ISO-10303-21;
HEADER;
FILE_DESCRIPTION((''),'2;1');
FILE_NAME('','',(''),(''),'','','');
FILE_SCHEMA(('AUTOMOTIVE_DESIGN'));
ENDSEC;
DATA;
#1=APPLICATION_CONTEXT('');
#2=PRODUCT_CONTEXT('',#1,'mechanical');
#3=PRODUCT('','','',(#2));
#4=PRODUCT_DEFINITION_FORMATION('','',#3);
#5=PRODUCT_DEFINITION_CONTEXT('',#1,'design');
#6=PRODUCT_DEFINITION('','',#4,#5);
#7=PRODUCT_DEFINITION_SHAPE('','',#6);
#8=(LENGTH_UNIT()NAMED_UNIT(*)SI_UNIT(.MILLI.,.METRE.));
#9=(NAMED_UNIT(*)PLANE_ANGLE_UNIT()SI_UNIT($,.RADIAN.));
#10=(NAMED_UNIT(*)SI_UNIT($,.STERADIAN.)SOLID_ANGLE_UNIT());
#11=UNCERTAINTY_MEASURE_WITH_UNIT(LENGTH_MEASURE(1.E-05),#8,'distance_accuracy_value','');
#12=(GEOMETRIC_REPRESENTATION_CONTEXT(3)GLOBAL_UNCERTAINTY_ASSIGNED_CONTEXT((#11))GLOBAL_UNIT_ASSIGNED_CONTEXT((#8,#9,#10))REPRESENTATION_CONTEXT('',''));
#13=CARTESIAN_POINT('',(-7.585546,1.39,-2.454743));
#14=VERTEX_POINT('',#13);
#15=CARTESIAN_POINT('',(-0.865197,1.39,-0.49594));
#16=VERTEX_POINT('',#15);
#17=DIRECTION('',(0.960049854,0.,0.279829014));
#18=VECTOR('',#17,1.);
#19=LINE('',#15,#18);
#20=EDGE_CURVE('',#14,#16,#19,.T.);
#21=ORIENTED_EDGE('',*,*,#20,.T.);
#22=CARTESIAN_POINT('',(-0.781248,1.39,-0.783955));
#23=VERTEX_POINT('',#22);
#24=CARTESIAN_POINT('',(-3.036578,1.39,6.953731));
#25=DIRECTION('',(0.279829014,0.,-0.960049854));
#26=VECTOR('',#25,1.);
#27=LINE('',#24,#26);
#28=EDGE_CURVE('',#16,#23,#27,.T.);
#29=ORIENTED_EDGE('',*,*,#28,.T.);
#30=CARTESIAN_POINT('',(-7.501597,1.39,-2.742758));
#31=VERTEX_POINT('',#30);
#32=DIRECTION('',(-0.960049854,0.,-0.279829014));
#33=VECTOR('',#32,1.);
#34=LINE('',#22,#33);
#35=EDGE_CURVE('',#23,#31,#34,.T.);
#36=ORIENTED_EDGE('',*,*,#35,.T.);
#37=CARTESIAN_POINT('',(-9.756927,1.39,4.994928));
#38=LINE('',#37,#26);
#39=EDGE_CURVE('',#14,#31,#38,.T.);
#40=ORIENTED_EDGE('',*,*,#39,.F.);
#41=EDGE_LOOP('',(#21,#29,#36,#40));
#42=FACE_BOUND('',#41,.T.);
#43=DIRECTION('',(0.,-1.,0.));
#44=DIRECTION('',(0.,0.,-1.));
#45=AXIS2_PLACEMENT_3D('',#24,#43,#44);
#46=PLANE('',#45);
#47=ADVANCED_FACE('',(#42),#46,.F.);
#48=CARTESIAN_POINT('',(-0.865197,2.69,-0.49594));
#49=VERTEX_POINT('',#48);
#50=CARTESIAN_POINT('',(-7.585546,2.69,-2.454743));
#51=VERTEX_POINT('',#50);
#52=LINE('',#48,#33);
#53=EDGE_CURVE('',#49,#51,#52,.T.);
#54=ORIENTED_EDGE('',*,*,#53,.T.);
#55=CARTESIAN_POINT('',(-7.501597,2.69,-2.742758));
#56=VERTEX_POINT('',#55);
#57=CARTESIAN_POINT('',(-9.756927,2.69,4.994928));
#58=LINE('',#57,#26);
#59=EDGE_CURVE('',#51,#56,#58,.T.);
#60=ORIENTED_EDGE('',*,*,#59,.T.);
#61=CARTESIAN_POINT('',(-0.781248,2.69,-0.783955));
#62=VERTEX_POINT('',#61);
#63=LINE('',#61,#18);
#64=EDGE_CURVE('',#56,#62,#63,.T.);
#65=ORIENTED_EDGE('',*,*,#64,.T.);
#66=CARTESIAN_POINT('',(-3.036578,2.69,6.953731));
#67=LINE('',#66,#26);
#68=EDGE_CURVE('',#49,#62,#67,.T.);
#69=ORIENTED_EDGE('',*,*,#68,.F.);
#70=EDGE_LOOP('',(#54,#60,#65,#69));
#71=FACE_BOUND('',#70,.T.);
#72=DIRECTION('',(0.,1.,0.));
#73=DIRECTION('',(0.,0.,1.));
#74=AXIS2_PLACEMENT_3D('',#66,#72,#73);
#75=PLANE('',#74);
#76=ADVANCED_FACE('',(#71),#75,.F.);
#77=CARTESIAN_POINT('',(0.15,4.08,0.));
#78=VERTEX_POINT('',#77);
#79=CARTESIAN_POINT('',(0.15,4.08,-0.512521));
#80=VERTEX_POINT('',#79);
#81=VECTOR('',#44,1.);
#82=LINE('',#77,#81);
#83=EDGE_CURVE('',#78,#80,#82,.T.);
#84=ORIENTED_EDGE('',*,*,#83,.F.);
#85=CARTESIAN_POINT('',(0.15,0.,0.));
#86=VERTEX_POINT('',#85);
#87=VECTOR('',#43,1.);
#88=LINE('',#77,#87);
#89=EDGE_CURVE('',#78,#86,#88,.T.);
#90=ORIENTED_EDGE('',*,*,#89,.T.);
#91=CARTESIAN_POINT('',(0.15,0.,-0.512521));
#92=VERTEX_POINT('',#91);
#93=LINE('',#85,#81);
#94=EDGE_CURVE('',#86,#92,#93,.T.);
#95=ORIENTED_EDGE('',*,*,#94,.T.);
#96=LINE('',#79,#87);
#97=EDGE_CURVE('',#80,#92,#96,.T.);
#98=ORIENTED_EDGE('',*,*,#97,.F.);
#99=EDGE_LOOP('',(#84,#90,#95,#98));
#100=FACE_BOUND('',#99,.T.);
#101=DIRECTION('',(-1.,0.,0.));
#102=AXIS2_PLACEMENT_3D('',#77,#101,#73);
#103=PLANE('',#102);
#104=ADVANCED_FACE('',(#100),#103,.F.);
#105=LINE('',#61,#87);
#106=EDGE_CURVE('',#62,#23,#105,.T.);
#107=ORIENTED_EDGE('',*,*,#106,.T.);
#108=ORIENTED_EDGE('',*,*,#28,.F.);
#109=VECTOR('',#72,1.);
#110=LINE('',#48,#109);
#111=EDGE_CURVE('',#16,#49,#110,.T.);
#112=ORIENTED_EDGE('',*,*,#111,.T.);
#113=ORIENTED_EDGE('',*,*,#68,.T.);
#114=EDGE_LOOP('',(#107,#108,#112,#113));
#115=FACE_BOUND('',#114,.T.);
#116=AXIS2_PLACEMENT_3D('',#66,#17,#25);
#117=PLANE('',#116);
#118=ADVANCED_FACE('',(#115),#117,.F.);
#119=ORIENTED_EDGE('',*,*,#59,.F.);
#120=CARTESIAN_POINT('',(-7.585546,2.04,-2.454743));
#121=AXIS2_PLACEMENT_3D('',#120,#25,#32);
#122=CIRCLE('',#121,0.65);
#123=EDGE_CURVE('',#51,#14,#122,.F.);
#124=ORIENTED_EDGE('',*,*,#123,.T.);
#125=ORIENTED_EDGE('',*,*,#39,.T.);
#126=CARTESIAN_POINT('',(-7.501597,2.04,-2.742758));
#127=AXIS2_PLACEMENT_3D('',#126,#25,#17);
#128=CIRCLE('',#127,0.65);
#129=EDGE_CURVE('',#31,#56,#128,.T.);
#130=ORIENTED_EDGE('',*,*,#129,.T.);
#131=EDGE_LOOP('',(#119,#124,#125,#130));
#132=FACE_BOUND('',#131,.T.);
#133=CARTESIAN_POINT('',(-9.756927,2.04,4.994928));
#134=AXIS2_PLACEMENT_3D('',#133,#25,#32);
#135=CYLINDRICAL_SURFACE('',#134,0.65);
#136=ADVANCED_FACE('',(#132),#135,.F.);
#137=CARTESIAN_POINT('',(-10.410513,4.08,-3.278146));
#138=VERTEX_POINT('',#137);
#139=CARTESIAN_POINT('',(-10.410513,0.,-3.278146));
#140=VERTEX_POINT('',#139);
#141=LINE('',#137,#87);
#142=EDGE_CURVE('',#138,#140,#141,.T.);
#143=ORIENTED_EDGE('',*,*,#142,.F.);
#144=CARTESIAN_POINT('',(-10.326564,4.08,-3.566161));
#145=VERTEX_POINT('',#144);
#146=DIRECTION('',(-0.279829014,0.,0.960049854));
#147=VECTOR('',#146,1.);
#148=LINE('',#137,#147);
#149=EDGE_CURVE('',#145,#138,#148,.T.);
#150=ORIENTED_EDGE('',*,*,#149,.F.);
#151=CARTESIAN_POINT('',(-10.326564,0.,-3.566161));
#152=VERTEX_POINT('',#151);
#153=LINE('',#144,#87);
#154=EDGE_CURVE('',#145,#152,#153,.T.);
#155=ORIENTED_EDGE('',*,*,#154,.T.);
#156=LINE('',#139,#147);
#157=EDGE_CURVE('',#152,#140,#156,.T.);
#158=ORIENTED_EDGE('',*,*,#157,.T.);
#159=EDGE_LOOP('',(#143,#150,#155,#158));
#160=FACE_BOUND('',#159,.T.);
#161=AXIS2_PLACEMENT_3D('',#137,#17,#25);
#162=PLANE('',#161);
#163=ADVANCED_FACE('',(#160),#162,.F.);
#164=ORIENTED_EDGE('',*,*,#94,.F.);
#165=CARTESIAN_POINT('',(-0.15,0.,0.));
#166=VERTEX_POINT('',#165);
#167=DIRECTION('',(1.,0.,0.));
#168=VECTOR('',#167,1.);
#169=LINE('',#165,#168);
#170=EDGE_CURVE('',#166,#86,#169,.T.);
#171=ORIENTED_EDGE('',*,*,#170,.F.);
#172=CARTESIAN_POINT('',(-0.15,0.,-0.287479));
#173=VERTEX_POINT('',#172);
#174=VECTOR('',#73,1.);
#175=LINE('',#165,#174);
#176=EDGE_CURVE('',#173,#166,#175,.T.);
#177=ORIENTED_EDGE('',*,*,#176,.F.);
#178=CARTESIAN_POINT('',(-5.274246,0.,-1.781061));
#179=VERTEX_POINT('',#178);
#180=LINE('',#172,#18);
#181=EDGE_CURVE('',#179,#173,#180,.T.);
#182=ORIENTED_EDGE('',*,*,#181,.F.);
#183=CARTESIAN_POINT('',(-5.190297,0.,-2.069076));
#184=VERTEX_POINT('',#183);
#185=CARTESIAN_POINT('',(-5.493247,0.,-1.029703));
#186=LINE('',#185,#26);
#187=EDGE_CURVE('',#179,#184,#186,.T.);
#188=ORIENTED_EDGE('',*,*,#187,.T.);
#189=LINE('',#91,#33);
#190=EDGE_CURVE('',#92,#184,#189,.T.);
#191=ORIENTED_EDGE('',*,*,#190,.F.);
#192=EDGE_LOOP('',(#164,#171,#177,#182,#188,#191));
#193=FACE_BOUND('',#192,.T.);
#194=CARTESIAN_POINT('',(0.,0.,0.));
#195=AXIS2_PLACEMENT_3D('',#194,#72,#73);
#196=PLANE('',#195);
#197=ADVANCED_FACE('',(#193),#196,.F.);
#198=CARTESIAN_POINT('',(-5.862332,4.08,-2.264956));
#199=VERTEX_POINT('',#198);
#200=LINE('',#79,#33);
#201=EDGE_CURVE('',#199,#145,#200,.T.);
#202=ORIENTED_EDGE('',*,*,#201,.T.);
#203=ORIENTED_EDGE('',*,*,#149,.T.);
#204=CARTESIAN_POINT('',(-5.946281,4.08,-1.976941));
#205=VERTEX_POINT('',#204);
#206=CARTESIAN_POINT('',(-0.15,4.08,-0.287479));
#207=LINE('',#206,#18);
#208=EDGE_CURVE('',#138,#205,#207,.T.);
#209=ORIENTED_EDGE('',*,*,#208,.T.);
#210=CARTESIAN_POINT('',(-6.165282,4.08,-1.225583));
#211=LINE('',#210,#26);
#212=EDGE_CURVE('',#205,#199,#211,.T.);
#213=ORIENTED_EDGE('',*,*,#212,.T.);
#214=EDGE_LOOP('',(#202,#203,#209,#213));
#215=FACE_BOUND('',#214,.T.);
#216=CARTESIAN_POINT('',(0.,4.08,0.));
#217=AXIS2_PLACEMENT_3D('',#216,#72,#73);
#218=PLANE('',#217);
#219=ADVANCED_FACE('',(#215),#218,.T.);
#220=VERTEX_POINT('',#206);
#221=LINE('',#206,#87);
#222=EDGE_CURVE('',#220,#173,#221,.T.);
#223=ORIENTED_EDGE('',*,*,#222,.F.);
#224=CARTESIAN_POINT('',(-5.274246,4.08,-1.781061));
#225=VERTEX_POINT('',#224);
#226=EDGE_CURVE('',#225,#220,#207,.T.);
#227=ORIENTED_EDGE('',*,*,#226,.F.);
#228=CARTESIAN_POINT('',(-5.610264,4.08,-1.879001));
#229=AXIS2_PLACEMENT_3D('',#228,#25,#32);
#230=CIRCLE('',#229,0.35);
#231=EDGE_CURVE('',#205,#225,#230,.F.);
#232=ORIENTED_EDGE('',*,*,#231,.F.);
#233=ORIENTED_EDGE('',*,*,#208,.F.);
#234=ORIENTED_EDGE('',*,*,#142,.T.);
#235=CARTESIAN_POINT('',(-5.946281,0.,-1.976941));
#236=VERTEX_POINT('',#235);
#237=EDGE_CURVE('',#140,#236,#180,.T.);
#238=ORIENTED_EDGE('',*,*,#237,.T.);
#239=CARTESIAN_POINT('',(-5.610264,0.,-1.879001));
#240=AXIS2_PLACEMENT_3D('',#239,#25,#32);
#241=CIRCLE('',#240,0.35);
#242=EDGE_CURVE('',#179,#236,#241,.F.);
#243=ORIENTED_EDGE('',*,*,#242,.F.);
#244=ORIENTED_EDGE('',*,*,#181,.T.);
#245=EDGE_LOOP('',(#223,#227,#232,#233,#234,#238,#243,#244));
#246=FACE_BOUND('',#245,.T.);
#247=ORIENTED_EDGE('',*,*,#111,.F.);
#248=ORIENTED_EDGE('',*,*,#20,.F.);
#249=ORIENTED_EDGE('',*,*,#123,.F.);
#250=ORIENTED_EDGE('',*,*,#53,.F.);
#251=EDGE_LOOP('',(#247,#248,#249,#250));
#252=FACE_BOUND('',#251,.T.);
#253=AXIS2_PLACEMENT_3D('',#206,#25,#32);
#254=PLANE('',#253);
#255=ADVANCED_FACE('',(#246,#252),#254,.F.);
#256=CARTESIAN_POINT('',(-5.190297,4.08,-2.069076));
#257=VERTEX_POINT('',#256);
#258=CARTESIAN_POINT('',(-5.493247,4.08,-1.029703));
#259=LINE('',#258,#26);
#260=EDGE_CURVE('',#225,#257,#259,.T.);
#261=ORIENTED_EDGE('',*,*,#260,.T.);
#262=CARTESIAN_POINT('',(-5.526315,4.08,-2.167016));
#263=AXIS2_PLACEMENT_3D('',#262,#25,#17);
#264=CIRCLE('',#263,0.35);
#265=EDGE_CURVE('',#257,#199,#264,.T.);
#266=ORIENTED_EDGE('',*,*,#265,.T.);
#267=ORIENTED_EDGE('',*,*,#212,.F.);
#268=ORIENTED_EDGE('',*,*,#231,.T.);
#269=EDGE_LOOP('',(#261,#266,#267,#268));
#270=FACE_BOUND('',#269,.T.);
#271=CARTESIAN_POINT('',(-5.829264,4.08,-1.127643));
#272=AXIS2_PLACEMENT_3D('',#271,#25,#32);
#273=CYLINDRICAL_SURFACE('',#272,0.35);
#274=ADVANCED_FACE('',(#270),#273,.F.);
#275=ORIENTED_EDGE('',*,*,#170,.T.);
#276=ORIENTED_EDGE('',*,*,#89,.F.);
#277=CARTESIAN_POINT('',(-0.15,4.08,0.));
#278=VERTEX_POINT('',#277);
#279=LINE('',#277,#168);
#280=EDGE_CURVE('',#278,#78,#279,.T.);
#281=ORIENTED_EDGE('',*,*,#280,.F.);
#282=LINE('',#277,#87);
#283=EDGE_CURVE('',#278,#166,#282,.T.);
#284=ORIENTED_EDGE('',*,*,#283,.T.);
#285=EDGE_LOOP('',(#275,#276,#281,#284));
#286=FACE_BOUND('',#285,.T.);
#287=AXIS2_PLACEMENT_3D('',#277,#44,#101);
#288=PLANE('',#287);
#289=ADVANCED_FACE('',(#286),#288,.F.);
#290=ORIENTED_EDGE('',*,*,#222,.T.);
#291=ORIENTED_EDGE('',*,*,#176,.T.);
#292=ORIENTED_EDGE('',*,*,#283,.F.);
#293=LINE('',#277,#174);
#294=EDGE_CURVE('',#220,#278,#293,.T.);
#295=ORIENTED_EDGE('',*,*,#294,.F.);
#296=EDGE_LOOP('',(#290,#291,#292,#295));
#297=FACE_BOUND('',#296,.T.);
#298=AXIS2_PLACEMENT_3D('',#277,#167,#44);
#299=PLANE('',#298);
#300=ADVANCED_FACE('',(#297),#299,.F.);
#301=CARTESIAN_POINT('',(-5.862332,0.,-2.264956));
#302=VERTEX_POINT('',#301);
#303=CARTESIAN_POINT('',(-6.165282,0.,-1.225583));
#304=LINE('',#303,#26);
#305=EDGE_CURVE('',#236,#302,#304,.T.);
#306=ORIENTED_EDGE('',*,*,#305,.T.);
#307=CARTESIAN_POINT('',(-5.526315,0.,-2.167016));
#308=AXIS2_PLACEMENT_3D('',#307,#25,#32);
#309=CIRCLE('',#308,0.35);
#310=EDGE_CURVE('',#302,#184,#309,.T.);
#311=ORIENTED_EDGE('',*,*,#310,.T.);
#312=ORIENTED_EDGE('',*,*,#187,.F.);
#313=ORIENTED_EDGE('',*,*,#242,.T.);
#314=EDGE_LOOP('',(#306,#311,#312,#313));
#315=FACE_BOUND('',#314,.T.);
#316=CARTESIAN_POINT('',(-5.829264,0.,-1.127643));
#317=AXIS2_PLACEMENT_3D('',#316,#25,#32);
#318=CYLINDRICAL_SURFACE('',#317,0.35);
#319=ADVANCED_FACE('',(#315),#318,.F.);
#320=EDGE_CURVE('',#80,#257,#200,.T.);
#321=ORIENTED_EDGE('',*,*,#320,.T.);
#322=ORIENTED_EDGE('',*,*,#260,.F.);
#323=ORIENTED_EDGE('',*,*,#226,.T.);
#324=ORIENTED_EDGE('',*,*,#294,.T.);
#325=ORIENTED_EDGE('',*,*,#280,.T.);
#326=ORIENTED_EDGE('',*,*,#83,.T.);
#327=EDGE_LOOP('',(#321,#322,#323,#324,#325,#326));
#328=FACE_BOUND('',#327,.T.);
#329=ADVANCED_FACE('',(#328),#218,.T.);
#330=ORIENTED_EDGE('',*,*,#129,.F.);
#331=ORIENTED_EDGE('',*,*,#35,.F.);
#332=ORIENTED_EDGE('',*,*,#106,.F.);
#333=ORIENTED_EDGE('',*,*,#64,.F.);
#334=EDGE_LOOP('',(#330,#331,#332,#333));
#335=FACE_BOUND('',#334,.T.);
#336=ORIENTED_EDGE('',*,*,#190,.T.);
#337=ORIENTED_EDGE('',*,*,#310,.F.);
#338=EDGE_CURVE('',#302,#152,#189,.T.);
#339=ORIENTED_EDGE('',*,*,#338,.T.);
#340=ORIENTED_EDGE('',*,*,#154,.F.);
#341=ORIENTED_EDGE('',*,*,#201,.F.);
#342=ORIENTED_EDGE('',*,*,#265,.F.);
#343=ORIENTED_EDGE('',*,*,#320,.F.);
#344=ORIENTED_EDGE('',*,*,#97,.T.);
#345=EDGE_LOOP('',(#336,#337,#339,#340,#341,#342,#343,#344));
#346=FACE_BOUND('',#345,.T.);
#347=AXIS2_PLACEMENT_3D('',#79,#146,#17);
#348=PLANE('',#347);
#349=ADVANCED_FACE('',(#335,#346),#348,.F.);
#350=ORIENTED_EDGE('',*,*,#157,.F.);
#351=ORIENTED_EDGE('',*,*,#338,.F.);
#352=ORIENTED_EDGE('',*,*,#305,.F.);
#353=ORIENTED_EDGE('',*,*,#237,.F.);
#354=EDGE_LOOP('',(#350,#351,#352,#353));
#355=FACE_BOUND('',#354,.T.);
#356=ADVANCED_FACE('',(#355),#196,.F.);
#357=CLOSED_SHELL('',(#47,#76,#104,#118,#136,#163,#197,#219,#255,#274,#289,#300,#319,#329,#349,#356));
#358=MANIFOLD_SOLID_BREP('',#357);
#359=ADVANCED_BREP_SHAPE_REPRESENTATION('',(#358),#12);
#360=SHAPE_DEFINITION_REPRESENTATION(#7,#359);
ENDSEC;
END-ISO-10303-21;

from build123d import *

# Parameters (mm, degrees)
BOSS_EXTRUDE1_DEPTH = 4.08
CUT_EXTRUDE1_DEPTH  = 0.3
CUT_EXTRUDE2_DEPTH  = 0.3


with BuildPart() as part:
    # Sketch1 → Boss-Extrude1 (new body)
    with BuildSketch(Plane(origin=(0, 0, 0), x_dir=(1, 0, 0), z_dir=(0, 1, 0))):
        Polygon((-0.15, 0), (-0.15, 0.287479127), (-10.410512779, 3.278145873), (-10.326564075, 3.56616083), (0.15, 0.512520873), (0.15, 0), align=None)
    extrude(amount=BOSS_EXTRUDE1_DEPTH)

    # Sketch2 → Cut-Extrude1 (cut)
    with BuildSketch(Plane(origin=(0.149434274, 0, -0.512685767), x_dir=(-0.9600498543859305, 0, -0.2798290140309858), z_dir=(0.2798290140309858, 0, -0.9600498543859306))):
        with BuildLine():
            Line((0.969410732, 1.39), (7.969410732, 1.39))
            ThreePointArc((7.969410732, 1.39), (8.619410732, 2.04), (7.969410732, 2.69))
            Line((7.969410732, 2.69), (0.969410732, 2.69))
            Line((0.969410732, 2.69), (0.969410732, 1.39))
        make_face()
    extrude(amount=-CUT_EXTRUDE1_DEPTH, mode=Mode.SUBTRACT)

    # Sketch3 → Cut-Extrude2 (cut)
    with BuildSketch(Plane(origin=(0.149434274, 0, -0.512685767), x_dir=(-0.9600498543859305, 0, -0.2798290140309858), z_dir=(0.2798290140309858, 0, -0.9600498543859306))):
        with BuildLine():
            Line((5.561931606, 4.08), (6.261931606, 4.08))
            ThreePointArc((6.261931606, 4.08), (5.911931606, 3.73), (5.561931606, 4.08))
        make_face()
        with BuildLine():
            Line((5.561931606, 0), (6.261931606, 0))
            ThreePointArc((6.261931606, 0), (5.911931606, 0.35), (5.561931606, 0))
        make_face()
    extrude(amount=-CUT_EXTRUDE2_DEPTH, mode=Mode.SUBTRACT)


solid = part.part
